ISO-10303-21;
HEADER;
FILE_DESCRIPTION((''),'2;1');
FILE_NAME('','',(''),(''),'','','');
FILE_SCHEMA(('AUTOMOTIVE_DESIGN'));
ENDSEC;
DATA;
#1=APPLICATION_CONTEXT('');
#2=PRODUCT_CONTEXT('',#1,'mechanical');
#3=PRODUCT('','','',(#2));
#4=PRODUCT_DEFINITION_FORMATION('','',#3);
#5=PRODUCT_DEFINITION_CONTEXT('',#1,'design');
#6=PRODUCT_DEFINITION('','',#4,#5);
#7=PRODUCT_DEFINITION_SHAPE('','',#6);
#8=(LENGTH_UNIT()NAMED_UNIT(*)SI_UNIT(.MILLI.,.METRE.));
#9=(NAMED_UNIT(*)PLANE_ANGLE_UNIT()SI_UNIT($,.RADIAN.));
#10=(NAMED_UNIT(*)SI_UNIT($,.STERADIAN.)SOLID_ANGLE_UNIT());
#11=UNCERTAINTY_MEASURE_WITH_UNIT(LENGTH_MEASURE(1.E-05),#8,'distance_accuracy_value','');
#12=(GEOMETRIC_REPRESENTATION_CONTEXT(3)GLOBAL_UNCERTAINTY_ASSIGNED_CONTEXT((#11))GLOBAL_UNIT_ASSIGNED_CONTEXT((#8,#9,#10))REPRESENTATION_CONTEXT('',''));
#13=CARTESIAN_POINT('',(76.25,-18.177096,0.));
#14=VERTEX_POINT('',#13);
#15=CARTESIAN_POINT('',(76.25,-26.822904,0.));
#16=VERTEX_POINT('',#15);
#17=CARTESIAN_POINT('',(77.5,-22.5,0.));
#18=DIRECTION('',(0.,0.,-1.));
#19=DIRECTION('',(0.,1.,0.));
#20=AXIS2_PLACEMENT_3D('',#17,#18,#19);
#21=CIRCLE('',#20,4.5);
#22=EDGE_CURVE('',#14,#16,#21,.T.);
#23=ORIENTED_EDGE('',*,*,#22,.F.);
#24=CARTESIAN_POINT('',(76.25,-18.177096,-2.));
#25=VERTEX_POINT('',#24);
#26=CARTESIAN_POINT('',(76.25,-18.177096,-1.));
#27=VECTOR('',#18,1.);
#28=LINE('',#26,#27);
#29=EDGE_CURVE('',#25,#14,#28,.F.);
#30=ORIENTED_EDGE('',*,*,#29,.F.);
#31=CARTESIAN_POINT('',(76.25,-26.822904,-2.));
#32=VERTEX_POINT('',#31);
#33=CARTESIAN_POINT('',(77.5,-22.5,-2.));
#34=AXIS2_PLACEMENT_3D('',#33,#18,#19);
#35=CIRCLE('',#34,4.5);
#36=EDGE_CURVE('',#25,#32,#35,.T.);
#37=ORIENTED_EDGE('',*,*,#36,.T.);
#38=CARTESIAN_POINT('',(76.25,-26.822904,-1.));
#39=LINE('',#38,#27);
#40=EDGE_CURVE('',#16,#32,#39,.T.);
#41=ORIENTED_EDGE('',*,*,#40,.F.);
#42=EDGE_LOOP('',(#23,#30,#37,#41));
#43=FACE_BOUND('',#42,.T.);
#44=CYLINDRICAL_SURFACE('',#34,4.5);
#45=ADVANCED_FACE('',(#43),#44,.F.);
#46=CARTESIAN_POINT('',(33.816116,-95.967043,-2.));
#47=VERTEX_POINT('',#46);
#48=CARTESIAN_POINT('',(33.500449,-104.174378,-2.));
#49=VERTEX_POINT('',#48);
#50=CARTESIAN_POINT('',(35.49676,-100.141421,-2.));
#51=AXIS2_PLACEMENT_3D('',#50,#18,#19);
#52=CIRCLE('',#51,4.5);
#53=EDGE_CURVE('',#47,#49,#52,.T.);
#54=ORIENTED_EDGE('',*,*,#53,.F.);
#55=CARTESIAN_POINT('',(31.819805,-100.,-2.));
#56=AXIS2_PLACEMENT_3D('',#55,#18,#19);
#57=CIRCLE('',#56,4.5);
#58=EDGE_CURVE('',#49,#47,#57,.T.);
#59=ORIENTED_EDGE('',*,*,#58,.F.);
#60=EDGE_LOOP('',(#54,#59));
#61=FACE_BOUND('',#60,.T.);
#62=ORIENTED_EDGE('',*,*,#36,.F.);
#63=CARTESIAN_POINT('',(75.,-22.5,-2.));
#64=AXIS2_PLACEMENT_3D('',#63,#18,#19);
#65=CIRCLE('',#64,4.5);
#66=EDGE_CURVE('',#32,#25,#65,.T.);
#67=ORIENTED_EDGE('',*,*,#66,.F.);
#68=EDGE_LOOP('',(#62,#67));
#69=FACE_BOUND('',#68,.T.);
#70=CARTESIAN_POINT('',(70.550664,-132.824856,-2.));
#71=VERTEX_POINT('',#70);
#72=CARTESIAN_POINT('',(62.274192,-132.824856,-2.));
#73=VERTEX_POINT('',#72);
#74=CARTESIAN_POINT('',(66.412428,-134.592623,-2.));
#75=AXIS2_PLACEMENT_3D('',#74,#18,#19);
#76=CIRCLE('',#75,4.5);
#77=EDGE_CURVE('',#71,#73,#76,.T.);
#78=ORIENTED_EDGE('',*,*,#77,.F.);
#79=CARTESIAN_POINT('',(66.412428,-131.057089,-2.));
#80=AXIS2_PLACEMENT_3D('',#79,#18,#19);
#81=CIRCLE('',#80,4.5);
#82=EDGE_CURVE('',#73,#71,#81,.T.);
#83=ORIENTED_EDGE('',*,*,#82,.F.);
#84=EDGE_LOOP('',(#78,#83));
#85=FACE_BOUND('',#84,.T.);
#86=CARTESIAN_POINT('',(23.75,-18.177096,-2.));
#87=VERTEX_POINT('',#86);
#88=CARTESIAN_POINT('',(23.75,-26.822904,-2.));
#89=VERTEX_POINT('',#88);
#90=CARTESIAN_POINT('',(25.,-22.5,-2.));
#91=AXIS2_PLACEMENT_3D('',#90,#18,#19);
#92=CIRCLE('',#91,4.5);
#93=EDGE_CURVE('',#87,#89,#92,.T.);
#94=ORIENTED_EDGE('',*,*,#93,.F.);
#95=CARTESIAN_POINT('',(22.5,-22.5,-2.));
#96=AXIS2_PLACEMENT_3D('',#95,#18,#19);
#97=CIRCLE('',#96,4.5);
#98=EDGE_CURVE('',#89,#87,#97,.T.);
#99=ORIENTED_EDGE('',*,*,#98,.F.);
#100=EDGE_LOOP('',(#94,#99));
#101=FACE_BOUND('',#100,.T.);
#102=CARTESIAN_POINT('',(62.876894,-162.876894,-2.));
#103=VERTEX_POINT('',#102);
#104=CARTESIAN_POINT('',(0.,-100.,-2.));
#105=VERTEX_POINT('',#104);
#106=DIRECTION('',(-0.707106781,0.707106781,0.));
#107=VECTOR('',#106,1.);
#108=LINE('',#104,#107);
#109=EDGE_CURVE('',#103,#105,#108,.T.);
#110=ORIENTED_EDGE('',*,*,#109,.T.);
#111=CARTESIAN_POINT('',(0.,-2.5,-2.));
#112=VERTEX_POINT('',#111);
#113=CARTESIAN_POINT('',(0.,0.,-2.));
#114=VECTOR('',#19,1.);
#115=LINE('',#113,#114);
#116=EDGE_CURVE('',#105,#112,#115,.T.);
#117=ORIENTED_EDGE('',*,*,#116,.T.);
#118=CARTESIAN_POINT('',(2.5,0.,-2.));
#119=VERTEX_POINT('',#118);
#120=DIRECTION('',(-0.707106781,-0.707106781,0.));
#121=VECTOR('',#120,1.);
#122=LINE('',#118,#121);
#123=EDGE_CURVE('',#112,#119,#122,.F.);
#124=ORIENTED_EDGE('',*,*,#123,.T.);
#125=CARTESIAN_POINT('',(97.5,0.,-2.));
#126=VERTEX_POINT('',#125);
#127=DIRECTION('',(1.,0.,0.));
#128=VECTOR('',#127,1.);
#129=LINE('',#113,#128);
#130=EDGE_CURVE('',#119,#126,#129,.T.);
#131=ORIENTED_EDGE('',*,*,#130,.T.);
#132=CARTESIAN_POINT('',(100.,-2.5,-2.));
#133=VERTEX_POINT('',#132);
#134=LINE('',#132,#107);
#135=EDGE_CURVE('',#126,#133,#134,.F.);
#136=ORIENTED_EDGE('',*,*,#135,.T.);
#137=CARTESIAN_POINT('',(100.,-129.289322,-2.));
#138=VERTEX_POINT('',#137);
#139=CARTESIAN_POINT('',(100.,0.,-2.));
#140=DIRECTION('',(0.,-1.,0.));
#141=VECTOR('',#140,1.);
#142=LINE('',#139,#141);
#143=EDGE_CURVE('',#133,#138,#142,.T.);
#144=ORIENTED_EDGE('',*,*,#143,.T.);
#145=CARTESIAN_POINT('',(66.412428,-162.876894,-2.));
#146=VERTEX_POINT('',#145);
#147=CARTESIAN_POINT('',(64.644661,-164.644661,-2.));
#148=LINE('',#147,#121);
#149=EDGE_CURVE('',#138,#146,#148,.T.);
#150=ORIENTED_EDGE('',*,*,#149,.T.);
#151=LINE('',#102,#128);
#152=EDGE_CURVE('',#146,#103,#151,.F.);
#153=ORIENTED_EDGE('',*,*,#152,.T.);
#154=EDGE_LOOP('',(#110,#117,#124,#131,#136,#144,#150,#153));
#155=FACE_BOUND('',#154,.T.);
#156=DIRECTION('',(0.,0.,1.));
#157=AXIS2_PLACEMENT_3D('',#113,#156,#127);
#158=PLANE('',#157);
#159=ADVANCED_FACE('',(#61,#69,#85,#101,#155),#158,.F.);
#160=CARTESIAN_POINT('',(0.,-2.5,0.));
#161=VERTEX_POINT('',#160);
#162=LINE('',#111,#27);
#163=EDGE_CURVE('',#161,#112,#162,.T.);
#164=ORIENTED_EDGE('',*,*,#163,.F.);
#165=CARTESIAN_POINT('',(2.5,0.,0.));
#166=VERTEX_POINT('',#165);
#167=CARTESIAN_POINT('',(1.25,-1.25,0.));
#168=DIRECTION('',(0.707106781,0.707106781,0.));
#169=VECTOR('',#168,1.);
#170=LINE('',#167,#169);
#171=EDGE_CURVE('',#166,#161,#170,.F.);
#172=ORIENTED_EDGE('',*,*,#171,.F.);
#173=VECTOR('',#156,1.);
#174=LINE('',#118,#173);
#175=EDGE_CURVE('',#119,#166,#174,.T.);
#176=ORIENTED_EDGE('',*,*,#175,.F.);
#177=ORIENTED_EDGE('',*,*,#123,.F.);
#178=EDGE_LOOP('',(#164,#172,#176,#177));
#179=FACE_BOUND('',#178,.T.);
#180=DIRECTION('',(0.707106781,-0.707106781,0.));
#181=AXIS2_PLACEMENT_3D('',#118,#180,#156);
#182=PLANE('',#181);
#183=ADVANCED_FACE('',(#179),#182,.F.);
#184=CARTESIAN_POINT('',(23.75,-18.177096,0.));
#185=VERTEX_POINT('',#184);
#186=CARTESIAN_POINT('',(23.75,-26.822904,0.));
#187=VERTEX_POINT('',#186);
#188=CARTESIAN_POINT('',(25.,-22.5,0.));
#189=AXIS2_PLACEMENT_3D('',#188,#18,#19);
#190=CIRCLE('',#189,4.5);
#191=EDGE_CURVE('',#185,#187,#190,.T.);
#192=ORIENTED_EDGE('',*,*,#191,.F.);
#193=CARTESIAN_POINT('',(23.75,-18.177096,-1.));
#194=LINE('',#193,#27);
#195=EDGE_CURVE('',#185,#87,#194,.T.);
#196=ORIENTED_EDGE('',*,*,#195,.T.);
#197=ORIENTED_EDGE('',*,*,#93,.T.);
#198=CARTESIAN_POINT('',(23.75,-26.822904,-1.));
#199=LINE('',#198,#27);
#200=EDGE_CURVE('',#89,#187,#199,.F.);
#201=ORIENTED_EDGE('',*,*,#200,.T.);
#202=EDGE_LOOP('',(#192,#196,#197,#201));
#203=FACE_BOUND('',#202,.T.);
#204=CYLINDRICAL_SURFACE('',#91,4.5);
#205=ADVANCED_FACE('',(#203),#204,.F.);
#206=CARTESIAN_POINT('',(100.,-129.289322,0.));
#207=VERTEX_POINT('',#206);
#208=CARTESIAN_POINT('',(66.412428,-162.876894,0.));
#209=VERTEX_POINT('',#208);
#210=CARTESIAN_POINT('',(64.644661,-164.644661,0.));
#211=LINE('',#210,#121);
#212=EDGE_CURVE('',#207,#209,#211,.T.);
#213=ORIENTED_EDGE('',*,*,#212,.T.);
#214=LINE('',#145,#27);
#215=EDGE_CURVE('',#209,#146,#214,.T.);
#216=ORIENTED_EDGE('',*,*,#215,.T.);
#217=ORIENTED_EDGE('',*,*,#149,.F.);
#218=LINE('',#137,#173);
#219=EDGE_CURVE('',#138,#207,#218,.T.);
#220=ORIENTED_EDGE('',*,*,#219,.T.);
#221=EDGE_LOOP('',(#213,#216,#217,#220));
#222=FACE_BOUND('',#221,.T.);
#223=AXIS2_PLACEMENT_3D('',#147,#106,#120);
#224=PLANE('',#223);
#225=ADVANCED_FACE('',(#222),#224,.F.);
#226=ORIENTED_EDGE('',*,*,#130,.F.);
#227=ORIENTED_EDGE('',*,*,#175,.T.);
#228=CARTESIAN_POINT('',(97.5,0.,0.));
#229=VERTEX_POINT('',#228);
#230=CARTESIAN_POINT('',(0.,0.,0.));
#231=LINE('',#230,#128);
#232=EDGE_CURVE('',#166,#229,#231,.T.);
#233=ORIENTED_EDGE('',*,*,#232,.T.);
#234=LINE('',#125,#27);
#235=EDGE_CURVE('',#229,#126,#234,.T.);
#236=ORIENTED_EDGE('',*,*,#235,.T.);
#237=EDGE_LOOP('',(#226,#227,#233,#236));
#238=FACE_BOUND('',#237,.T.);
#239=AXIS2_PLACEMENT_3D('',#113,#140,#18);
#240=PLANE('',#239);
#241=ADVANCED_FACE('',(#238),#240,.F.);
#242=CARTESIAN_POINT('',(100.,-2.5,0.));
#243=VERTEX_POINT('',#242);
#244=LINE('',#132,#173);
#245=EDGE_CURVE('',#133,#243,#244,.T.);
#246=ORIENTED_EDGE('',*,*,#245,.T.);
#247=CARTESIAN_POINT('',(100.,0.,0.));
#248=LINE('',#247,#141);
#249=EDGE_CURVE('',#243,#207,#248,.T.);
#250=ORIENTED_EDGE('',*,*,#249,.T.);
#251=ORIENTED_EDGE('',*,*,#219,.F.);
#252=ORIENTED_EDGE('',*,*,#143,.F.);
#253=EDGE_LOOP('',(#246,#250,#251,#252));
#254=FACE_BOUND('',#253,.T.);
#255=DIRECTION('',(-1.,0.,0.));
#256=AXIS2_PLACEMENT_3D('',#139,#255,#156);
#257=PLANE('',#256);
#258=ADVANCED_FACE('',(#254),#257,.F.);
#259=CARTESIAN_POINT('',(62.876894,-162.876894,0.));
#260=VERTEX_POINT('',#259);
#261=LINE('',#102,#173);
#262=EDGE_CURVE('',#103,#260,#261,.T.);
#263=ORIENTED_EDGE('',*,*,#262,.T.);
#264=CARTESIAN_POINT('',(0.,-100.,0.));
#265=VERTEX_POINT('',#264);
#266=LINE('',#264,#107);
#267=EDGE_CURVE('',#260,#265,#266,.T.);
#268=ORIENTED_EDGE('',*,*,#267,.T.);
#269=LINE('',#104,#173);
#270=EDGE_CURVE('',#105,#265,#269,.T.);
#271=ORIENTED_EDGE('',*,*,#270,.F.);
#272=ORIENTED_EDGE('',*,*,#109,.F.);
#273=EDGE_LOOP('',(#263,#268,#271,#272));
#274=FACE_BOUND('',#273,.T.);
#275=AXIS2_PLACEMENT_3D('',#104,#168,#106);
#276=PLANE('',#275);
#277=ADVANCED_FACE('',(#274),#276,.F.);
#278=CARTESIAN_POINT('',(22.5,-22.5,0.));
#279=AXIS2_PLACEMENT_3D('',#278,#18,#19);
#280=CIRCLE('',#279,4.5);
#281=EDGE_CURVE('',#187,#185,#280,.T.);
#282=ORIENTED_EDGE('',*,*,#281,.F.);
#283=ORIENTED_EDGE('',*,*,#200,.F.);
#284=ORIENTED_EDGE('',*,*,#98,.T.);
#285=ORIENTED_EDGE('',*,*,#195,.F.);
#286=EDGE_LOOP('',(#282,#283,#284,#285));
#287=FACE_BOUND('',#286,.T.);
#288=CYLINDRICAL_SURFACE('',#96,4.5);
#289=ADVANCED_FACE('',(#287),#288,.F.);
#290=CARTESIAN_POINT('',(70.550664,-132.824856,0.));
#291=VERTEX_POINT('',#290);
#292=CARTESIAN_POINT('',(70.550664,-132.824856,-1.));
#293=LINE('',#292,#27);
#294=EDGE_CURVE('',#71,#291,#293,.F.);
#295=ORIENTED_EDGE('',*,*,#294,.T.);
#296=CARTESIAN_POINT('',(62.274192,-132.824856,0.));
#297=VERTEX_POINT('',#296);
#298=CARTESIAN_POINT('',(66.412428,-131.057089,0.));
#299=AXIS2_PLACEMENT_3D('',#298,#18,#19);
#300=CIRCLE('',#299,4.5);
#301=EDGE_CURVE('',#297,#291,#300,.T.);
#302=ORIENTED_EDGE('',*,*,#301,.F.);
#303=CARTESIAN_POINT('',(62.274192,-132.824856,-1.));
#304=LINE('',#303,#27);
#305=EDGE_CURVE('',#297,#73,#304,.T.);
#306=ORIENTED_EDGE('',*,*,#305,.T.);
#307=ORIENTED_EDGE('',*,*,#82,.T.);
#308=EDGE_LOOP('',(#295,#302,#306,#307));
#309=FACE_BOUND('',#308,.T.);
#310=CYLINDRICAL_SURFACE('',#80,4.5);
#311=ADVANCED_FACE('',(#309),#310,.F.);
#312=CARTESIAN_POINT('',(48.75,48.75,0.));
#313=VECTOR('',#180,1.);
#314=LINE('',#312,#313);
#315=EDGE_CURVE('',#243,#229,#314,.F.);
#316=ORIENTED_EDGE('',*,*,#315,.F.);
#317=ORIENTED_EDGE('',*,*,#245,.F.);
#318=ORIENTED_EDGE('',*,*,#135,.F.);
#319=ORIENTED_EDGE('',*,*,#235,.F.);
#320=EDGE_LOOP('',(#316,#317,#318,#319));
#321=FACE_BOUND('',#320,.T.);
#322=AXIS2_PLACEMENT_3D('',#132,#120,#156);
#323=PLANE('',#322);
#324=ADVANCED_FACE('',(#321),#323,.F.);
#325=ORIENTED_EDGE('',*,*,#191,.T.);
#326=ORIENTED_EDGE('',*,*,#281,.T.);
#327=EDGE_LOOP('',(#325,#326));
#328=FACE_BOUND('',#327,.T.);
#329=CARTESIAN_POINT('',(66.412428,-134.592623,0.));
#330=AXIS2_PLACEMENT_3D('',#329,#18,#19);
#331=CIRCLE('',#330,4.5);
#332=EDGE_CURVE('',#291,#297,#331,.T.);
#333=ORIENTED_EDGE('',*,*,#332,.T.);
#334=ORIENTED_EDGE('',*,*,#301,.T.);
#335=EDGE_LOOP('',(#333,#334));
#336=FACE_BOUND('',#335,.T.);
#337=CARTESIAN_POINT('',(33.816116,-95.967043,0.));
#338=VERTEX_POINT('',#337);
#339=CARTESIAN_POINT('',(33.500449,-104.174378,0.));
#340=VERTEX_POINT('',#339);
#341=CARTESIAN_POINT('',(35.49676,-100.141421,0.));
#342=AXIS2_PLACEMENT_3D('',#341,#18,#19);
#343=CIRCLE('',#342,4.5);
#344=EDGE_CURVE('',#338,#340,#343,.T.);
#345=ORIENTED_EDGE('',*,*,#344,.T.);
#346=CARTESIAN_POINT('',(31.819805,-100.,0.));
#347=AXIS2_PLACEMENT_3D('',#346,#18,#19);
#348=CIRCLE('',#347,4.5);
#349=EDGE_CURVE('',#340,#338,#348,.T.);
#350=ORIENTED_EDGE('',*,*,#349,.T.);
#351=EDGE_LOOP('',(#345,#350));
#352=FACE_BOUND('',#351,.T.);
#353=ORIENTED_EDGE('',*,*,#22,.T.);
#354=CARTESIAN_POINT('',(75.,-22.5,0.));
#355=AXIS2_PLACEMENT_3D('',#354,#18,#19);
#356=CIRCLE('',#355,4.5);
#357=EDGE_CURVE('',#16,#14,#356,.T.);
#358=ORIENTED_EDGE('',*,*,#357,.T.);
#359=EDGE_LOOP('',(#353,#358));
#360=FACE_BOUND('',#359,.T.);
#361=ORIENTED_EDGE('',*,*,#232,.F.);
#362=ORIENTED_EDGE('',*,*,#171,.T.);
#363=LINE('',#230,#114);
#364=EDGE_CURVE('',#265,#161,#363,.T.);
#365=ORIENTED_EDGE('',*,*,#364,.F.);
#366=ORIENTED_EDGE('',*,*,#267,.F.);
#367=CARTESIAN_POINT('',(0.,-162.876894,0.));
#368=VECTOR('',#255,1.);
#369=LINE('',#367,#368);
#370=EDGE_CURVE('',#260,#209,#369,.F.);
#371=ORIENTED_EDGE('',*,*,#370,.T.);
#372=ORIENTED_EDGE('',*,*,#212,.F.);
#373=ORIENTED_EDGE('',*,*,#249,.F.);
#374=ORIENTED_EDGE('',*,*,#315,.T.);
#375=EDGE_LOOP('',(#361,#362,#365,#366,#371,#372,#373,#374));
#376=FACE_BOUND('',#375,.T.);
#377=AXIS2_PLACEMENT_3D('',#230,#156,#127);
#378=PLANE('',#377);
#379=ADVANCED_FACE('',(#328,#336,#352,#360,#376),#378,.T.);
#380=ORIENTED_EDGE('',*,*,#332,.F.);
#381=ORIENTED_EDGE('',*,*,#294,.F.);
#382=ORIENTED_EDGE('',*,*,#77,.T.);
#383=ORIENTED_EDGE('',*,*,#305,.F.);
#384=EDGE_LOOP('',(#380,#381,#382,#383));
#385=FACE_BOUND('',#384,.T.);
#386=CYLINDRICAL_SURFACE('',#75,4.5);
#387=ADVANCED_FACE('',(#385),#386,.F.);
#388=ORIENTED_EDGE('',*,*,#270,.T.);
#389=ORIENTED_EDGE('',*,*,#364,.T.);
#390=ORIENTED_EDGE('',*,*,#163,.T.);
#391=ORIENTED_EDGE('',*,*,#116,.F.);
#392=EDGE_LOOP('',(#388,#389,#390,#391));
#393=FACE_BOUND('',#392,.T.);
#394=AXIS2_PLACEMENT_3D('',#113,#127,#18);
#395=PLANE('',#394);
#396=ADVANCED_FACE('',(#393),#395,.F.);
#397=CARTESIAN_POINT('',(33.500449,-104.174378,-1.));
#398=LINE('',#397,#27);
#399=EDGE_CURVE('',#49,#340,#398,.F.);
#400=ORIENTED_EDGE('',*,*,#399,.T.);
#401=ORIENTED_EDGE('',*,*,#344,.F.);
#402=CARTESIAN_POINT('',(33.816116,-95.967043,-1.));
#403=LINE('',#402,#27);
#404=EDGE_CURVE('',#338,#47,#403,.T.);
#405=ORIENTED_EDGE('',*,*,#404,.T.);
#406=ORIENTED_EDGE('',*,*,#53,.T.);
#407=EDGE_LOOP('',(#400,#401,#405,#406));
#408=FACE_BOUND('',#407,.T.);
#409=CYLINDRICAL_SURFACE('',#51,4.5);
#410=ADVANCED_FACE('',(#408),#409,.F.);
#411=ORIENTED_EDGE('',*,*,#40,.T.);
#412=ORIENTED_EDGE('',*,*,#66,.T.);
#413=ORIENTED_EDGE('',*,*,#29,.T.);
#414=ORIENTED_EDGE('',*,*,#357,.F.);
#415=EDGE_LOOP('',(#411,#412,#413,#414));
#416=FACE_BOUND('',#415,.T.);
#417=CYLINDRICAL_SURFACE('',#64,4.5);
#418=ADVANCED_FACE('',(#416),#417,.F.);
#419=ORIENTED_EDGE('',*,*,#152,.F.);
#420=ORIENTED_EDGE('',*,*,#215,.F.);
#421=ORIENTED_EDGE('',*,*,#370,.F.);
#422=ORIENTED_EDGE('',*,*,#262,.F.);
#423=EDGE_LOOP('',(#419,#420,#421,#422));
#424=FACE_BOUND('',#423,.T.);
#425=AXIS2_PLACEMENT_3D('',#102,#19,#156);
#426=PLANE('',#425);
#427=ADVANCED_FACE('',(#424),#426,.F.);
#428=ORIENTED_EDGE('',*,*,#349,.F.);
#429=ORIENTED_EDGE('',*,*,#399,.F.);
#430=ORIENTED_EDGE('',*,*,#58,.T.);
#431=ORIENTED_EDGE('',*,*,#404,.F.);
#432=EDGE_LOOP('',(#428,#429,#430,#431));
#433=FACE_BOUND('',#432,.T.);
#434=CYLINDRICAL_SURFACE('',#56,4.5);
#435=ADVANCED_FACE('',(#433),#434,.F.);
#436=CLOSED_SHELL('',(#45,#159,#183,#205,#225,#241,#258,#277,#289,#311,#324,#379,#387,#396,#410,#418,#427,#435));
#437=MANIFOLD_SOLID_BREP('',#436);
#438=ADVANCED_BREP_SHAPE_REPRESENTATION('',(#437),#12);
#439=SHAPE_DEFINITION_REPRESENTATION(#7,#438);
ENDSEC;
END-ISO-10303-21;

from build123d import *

# Parameters (mm, degrees)
EXTRUDE_1_DEPTH   = 2
HOLE_WIZARD_M81_D = 9
CHAMFER_1_SIZE    = 2.5


with BuildPart() as part:
    # Эскиз3 → Бобышка-Вытянуть1 (new body)
    with BuildSketch(Plane(origin=(0, 0, 0), x_dir=(1, 0, 0), z_dir=(0, 0, -1))):
        Polygon((0, 0), (100, 0), (100, 129.289321881), (64.644660941, 164.644660941), (0, 100), align=None)
    extrude(amount=EXTRUDE_1_DEPTH)

    # Отверстие с зазором M81 (through all)
    with Locations(Plane(origin=(0, 0, -2), x_dir=(1, 0, 0), z_dir=(0, 0, -1))):
        with Locations((22.5, 22.5), (77.5, 22.5), (31.819805153, 100), (66.412427894, 134.59262274), (35.496760416, 100.141421356), (66.412427894, 131.057088834), (25, 22.5), (75, 22.5)):
            Hole(HOLE_WIZARD_M81_D / 2)

    # Фаска1
    chamfer_1_edges = [part.edges().sort_by_distance(p)[0] for p in [
        (64.644660941, -164.644660941, -1),
        (100, 0, -1),
        (0, 0, -1),
    ]]
    chamfer(chamfer_1_edges, length=CHAMFER_1_SIZE)


solid = part.part
